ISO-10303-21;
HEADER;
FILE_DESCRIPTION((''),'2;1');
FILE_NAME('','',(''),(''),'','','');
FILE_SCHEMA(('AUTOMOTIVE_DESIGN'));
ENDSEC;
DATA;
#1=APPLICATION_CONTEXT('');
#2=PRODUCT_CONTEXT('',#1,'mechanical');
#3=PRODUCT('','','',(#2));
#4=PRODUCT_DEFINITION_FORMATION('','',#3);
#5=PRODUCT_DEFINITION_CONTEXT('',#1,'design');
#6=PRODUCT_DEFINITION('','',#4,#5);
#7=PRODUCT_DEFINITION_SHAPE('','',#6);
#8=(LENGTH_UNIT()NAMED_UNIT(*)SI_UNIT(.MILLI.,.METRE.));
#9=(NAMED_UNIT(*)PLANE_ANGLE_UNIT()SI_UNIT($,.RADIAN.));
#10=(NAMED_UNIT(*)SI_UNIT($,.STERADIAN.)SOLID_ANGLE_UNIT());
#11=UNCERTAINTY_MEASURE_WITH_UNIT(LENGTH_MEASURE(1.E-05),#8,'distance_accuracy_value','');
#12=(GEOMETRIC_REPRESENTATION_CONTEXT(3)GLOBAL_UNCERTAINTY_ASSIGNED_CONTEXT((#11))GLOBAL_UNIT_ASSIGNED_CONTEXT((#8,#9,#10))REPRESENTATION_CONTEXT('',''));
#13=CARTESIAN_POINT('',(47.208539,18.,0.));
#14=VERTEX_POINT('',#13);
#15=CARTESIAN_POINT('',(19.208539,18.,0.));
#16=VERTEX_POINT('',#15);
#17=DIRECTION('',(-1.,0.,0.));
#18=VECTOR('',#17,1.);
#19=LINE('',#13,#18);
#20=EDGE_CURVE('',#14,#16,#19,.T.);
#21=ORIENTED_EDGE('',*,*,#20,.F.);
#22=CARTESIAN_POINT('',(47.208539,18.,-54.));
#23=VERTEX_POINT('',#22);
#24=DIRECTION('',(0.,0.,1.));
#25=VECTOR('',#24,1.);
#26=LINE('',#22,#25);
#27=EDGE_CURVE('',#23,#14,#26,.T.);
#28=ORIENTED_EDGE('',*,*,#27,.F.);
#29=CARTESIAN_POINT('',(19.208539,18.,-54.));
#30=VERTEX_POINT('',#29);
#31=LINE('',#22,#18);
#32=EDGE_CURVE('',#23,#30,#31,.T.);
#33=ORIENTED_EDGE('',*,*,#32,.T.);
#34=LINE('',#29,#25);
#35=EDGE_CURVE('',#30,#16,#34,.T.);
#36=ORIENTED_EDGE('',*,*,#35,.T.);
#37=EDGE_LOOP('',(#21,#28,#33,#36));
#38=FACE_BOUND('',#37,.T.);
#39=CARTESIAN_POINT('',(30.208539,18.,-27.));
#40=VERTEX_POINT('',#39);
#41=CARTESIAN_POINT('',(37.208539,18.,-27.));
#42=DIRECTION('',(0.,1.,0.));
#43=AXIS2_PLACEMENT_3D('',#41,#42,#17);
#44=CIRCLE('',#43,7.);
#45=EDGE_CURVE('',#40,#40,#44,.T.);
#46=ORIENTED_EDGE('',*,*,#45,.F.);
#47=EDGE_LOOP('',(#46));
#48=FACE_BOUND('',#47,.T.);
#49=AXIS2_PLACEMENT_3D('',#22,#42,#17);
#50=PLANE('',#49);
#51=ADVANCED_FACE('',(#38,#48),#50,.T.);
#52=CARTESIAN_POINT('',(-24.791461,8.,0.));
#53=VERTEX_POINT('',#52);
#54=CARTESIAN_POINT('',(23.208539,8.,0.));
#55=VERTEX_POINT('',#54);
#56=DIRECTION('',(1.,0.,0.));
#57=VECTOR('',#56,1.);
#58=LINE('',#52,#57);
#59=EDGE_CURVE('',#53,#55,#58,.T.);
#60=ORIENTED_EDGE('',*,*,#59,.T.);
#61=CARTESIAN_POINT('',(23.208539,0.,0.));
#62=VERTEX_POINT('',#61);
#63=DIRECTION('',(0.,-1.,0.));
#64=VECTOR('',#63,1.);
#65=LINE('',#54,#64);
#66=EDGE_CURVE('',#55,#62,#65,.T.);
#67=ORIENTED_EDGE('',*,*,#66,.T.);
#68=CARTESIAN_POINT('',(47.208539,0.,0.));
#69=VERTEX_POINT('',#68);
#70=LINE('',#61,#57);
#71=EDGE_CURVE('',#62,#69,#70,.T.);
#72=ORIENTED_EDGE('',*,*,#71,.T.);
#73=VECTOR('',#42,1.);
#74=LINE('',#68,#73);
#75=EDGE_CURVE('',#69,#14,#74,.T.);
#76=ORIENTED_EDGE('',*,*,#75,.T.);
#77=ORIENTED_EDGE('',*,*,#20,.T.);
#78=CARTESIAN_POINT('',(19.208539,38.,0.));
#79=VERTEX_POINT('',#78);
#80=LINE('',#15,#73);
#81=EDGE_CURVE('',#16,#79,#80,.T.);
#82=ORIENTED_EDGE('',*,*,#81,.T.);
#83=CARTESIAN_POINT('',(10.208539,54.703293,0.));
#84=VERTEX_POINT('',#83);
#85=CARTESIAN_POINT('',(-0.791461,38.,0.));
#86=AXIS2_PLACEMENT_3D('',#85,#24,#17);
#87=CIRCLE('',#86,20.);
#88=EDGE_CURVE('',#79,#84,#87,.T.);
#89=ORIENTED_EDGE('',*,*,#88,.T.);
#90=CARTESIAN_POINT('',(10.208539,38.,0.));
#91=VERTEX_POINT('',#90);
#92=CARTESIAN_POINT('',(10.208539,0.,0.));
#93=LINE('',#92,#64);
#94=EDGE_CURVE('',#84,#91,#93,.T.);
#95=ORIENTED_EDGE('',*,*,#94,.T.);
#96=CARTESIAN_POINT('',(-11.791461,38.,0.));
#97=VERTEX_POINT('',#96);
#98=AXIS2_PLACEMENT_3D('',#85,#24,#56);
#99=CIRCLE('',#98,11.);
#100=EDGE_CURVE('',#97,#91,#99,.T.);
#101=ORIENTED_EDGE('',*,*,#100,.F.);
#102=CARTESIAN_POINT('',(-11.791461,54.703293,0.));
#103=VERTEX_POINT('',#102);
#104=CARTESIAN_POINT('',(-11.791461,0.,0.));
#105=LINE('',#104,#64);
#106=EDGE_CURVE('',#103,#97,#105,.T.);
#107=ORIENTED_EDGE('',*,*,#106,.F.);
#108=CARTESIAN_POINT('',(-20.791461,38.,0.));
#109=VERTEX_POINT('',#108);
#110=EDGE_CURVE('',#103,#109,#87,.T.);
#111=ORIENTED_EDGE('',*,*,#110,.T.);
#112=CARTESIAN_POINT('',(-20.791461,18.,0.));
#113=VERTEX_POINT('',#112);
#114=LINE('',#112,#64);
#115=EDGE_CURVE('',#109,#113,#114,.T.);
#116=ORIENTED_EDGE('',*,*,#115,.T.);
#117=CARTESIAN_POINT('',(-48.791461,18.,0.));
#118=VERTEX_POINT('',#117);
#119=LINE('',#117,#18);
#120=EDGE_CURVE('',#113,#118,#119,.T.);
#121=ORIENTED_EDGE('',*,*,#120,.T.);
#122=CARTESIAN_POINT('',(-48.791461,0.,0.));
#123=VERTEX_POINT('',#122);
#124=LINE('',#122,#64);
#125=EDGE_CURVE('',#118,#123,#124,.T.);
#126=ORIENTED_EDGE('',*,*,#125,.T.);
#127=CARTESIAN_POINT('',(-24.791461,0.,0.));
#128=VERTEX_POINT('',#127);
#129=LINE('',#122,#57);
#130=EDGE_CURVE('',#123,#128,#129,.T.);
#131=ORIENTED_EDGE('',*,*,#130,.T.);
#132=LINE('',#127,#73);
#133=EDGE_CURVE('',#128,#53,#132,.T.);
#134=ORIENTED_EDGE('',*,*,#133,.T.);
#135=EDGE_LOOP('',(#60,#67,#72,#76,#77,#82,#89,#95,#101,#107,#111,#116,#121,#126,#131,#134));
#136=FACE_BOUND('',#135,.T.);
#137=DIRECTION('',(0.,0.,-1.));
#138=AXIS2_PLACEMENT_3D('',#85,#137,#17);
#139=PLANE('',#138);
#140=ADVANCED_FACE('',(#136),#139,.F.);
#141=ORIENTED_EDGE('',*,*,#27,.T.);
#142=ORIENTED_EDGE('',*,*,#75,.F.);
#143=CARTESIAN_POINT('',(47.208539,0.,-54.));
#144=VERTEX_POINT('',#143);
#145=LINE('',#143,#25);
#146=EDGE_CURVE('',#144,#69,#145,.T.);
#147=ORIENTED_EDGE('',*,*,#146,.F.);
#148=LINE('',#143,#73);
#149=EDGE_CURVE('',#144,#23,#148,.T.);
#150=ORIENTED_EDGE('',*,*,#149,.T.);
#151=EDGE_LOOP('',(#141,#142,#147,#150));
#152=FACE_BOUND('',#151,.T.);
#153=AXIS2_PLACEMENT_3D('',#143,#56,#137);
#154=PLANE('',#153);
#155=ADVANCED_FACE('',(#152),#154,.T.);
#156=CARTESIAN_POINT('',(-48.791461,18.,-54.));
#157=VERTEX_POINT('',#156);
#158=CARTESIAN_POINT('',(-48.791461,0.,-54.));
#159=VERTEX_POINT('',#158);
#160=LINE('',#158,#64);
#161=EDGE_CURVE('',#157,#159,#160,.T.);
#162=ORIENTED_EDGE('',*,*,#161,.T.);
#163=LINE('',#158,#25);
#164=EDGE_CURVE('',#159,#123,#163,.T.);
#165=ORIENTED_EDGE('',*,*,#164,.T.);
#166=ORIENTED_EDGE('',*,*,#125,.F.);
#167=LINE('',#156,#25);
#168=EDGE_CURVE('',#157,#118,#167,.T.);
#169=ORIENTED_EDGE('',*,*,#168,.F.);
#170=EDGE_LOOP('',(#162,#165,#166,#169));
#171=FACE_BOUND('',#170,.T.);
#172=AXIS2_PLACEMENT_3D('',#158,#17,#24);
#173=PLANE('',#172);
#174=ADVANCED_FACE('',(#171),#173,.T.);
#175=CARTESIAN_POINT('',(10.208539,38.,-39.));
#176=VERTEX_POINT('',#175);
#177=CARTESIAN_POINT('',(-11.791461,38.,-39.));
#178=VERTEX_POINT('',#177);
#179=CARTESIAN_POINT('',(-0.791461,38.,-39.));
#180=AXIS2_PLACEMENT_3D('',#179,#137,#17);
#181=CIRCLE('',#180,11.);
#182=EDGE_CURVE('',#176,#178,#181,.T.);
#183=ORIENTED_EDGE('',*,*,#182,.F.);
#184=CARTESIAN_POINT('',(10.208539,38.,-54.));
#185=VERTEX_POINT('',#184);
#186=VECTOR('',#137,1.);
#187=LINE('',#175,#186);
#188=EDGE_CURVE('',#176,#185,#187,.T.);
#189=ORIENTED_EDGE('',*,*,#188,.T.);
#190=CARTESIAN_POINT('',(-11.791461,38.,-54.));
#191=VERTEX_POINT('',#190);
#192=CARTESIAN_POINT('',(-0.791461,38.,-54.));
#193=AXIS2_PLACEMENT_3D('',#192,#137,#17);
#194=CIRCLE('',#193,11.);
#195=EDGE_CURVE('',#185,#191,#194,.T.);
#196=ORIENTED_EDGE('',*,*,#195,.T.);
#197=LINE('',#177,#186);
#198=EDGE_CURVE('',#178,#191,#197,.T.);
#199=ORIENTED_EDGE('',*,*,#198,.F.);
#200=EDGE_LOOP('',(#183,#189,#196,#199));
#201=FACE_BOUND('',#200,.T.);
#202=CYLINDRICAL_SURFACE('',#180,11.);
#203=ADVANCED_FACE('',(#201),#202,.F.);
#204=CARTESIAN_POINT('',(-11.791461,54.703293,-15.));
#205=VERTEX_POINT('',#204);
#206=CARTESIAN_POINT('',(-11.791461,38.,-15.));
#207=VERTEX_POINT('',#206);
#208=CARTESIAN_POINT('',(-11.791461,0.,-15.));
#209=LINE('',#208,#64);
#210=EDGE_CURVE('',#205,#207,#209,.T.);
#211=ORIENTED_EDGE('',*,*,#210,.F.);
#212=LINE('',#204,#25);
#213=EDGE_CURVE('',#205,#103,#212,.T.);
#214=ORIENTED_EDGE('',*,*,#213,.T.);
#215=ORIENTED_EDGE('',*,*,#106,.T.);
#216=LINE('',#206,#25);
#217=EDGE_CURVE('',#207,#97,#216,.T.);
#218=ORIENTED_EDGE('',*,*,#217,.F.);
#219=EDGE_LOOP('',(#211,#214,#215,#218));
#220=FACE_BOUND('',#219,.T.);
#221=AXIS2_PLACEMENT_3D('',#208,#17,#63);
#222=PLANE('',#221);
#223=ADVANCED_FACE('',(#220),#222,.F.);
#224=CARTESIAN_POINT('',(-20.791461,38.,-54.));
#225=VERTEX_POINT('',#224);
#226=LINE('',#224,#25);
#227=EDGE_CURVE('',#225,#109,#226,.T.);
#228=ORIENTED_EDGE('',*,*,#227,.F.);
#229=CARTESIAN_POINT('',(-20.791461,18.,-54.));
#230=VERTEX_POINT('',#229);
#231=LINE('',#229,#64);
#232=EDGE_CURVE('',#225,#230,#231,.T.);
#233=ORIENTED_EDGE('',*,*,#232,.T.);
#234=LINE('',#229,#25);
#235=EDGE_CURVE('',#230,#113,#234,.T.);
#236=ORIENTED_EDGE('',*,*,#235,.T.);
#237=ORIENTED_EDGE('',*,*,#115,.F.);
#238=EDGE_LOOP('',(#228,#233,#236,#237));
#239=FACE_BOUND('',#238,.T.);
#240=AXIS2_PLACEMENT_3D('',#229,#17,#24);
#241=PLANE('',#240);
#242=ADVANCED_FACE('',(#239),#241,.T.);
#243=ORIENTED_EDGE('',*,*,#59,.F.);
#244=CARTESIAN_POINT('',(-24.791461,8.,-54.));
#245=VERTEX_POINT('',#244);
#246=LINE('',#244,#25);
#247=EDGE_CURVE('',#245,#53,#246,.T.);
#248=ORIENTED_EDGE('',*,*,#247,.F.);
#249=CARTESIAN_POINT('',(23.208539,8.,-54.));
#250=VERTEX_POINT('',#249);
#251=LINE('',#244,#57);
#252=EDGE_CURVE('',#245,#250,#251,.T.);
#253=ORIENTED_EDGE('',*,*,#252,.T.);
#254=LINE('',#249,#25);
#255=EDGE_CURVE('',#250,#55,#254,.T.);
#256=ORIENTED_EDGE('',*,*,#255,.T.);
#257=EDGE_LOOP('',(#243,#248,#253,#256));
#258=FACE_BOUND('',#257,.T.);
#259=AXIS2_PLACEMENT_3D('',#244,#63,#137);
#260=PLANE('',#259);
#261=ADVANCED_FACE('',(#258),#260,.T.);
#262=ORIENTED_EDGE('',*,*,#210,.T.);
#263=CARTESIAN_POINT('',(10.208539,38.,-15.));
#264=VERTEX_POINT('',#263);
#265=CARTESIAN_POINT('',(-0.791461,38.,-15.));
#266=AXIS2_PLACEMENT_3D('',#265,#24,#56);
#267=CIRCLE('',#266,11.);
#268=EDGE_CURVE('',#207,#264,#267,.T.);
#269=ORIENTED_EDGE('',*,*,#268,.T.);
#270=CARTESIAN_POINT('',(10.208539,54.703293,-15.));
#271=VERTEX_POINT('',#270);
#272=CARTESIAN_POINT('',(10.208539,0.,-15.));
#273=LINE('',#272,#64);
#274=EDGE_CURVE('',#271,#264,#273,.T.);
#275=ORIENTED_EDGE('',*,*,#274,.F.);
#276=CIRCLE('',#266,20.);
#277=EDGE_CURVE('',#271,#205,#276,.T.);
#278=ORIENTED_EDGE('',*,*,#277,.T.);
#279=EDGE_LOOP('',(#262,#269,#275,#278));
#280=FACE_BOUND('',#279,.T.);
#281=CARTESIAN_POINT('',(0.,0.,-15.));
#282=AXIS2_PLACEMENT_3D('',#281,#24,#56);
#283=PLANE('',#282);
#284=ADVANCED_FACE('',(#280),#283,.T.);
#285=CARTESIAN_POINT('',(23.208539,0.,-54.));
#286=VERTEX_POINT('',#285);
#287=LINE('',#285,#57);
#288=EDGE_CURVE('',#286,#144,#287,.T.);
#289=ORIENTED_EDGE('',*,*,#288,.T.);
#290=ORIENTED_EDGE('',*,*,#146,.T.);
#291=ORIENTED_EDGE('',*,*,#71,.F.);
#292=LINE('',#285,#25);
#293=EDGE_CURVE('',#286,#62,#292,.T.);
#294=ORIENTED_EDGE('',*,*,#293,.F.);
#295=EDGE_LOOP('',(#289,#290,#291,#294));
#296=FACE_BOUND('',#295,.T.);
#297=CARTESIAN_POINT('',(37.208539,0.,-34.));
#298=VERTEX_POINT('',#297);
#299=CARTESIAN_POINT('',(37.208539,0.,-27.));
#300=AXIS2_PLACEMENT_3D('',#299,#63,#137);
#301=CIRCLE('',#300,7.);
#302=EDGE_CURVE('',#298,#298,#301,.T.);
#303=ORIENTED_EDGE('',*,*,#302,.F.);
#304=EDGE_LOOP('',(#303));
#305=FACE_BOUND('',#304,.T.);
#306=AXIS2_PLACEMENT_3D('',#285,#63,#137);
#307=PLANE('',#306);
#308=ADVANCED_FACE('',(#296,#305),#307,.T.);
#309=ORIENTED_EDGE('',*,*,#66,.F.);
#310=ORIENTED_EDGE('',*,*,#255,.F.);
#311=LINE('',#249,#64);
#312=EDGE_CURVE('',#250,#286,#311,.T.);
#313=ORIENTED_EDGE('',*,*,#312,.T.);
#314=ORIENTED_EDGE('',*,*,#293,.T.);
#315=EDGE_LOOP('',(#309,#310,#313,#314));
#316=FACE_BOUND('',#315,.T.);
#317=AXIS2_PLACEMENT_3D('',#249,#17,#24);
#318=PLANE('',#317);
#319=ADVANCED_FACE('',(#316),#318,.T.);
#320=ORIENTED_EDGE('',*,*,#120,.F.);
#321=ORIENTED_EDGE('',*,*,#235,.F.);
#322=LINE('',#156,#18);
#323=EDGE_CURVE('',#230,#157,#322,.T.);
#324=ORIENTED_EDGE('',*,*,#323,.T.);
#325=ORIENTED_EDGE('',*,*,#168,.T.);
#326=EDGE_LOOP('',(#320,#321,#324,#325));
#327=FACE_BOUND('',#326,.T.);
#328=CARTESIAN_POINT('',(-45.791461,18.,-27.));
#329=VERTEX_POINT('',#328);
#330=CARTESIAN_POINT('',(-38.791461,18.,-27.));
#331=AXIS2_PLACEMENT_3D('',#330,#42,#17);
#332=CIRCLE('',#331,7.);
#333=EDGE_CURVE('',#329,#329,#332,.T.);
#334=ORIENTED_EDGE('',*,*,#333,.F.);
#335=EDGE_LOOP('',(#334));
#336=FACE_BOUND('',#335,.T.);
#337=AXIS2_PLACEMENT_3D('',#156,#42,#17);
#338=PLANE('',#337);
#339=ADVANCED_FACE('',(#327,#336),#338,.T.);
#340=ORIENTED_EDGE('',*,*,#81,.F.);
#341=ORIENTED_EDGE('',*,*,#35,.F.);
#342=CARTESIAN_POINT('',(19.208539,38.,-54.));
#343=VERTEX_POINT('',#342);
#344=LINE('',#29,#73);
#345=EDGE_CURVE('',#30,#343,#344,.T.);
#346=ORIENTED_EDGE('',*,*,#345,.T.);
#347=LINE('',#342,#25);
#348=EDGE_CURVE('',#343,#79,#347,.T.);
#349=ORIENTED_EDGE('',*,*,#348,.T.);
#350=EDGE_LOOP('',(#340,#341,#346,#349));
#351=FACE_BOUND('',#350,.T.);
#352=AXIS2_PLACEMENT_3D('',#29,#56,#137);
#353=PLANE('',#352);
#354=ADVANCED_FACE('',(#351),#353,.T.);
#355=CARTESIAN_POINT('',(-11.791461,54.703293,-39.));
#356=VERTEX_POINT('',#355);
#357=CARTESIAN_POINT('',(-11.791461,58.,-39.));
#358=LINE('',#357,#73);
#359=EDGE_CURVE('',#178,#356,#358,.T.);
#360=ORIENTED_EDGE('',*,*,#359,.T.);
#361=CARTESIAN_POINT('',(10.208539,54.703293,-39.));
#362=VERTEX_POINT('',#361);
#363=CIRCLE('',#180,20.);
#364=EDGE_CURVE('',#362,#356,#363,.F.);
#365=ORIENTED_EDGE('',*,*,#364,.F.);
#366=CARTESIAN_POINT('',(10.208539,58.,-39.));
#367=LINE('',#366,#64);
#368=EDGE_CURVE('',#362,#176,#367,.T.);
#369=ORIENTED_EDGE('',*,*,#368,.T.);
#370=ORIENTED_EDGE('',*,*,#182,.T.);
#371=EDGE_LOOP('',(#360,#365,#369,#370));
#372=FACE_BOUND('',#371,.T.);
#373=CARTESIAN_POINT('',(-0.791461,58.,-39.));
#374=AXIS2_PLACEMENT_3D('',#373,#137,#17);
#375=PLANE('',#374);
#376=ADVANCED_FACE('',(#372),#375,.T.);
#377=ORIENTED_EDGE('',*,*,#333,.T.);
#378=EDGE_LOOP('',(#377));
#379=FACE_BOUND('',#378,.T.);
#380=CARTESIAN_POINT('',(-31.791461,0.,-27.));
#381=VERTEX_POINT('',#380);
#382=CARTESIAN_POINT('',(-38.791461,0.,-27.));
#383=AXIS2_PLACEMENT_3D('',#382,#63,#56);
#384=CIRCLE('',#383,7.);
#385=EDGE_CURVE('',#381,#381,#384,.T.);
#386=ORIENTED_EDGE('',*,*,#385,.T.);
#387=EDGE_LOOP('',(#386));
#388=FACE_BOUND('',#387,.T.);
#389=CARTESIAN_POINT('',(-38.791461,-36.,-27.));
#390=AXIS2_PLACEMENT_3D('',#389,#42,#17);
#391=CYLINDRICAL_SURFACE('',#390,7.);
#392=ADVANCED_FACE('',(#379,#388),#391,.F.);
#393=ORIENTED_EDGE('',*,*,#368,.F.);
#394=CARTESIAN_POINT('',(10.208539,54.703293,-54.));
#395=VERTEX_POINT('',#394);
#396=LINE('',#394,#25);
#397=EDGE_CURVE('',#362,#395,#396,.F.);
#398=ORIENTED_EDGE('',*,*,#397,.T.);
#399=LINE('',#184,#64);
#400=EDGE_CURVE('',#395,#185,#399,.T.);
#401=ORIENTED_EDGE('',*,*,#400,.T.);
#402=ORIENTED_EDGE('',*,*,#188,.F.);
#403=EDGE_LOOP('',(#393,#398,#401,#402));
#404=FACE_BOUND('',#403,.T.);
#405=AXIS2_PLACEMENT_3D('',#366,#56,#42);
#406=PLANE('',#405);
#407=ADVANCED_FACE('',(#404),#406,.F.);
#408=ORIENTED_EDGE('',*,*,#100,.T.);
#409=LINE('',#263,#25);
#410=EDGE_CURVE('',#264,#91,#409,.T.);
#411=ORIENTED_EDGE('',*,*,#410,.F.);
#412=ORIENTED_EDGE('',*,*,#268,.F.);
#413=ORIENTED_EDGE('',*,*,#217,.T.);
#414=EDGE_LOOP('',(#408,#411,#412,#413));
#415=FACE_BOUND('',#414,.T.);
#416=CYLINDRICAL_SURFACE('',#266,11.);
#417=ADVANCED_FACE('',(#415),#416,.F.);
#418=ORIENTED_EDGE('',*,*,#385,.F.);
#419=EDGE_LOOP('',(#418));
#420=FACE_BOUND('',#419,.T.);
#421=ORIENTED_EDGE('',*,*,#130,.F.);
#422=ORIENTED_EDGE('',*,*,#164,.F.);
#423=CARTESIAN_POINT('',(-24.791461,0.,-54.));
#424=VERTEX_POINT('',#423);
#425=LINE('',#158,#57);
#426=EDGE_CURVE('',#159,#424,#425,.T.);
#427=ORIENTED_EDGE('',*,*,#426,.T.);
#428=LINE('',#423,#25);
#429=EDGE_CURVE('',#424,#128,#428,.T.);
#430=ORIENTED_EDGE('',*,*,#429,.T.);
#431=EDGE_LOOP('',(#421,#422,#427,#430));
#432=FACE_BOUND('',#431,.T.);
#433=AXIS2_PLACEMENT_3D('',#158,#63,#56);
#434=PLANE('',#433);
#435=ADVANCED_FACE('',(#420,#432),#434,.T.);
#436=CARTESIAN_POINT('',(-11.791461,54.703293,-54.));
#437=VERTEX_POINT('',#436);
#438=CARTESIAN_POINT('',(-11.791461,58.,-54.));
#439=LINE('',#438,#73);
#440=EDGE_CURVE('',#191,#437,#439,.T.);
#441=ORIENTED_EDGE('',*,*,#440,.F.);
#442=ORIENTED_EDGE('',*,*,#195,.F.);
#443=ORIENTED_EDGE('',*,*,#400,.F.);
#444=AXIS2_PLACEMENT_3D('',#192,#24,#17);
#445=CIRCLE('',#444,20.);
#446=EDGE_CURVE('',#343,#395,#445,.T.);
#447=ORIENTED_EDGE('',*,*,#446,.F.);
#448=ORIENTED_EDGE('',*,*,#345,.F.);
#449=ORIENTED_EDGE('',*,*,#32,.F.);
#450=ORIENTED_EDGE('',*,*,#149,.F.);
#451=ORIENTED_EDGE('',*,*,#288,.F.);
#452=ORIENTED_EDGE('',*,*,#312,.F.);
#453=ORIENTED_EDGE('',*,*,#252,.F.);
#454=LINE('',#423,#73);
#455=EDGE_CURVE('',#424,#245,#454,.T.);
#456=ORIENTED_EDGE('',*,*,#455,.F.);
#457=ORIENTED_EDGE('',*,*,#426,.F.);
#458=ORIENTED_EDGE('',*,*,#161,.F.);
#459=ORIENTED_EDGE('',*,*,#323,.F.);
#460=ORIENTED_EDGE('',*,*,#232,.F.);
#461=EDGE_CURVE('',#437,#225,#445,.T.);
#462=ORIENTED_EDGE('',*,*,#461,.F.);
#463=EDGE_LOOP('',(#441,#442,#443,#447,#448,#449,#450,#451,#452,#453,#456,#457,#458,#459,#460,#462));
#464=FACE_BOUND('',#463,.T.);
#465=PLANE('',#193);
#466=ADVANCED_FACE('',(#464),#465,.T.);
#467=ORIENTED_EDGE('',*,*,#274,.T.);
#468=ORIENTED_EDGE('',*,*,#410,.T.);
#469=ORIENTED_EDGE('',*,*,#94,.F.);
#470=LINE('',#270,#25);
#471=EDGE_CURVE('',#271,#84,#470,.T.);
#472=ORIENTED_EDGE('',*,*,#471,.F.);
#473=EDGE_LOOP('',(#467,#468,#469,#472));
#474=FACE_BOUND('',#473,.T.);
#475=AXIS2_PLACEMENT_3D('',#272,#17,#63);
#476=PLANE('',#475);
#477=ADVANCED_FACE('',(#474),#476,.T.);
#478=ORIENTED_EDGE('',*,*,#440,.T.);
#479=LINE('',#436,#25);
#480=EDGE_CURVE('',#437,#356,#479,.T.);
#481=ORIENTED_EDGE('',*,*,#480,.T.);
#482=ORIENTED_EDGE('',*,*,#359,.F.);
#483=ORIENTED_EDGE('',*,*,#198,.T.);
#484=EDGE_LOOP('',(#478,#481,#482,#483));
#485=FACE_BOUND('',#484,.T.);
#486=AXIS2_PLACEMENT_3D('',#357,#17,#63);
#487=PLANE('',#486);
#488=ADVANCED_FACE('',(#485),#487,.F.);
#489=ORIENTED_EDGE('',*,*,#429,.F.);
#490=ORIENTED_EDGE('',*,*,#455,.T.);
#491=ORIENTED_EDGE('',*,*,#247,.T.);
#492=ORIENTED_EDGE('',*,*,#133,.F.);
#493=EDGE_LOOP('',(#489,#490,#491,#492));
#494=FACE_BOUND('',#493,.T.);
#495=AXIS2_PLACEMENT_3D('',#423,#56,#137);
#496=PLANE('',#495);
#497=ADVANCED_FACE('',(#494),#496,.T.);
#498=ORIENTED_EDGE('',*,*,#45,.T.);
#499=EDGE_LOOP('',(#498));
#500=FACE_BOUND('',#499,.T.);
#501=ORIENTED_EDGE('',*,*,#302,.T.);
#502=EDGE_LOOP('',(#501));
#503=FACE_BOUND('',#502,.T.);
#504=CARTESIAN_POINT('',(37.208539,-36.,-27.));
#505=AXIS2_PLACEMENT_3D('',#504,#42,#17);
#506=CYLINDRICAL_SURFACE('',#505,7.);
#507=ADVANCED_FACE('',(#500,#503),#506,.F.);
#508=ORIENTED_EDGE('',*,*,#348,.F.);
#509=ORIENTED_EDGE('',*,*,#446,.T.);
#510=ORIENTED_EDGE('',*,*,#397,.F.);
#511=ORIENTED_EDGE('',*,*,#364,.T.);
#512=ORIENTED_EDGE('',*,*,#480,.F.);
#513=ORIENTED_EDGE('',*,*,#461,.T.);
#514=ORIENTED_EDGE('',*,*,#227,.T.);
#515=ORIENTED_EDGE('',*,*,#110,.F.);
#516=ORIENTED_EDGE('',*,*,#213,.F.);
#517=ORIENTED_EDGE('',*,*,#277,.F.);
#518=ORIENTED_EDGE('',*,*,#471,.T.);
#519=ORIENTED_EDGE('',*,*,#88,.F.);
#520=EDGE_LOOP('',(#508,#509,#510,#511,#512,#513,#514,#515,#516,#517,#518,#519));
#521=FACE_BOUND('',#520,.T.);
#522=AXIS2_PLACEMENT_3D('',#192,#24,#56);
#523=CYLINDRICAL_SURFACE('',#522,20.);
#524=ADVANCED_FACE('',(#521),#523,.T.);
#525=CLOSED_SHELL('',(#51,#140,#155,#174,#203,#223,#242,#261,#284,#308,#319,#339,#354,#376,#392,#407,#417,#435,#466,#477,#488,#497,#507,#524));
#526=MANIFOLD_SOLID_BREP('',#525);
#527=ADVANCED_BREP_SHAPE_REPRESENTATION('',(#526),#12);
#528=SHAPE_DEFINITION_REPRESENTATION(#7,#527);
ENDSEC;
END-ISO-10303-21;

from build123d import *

# Parameters (mm, degrees)
BOSS_EXTRUDE1_DEPTH = 54
SKETCH2_R           = 7
CUT_EXTRUDE1_DEPTH  = 54
CUT_EXTRUDE2_DEPTH  = 15
CUT_EXTRUDE3_START  = -15
CUT_EXTRUDE3_DEPTH  = 15


with BuildPart() as part:
    # Sketch1 → Boss-Extrude1 (new body)
    with BuildSketch(Plane.XY):
        with BuildLine():
            Line((-48.791461113, 0), (-24.791461113, 0))
            Line((-24.791461113, 0), (-24.791461113, 8))
            Line((-24.791461113, 8), (23.208538887, 8))
            Line((23.208538887, 8), (23.208538887, 0))
            Line((23.208538887, 0), (47.208538887, 0))
            Line((47.208538887, 0), (47.208538887, 18))
            Line((47.208538887, 18), (19.208538887, 18))
            Line((19.208538887, 18), (19.208538887, 38))
            ThreePointArc((19.208538887, 38), (-0.791461113, 58), (-20.791461113, 38))
            Line((-20.791461113, 38), (-20.791461113, 18))
            Line((-20.791461113, 18), (-48.791461113, 18))
            Line((-48.791461113, 18), (-48.791461113, 0))
        make_face()
    extrude(amount=-BOSS_EXTRUDE1_DEPTH)

    # Sketch2 → Cut-Extrude1 (cut)
    with BuildSketch(Plane(origin=(0, 18, 0), x_dir=(1, 0, 0), z_dir=(0, 1, 0))):
        with Locations(Location((37.208538887, 27, 0), (0, 0, 180))):
            Circle(SKETCH2_R)
        with Locations(Location((-38.791461113, 27, 0), (0, 0, 180))):
            Circle(SKETCH2_R)
    extrude(amount=-CUT_EXTRUDE1_DEPTH, mode=Mode.SUBTRACT)

    # Sketch3 → Cut-Extrude2 (cut)
    with BuildSketch(Plane.XY):
        with BuildLine():
            Line((10.208538887, 58), (10.208538887, 38))
            ThreePointArc((10.208538887, 38), (-0.791461113, 27), (-11.791461113, 38))
            Line((-11.791461113, 38), (-11.791461113, 58))
            ThreePointArc((-11.791461113, 58), (-0.791461113, 69), (10.208538887, 58))
        make_face()
    extrude(amount=-CUT_EXTRUDE2_DEPTH, mode=Mode.SUBTRACT)

    # Sketch4 → Cut-Extrude3 (cut)
    with BuildSketch(Plane(origin=(0, 0, -54), x_dir=(-1, 0, 0), z_dir=(0, 0, -1)).offset(CUT_EXTRUDE3_START)):
        with BuildLine():
            Line((11.791461113, 58), (11.791461113, 38))
            ThreePointArc((11.791461113, 38), (0.791461113, 27), (-10.208538887, 38))
            Line((-10.208538887, 38), (-10.208538887, 58))
            ThreePointArc((-10.208538887, 58), (0.791461113, 69), (11.791461113, 58))
        make_face()
    extrude(amount=CUT_EXTRUDE3_DEPTH, mode=Mode.SUBTRACT)


solid = part.part
